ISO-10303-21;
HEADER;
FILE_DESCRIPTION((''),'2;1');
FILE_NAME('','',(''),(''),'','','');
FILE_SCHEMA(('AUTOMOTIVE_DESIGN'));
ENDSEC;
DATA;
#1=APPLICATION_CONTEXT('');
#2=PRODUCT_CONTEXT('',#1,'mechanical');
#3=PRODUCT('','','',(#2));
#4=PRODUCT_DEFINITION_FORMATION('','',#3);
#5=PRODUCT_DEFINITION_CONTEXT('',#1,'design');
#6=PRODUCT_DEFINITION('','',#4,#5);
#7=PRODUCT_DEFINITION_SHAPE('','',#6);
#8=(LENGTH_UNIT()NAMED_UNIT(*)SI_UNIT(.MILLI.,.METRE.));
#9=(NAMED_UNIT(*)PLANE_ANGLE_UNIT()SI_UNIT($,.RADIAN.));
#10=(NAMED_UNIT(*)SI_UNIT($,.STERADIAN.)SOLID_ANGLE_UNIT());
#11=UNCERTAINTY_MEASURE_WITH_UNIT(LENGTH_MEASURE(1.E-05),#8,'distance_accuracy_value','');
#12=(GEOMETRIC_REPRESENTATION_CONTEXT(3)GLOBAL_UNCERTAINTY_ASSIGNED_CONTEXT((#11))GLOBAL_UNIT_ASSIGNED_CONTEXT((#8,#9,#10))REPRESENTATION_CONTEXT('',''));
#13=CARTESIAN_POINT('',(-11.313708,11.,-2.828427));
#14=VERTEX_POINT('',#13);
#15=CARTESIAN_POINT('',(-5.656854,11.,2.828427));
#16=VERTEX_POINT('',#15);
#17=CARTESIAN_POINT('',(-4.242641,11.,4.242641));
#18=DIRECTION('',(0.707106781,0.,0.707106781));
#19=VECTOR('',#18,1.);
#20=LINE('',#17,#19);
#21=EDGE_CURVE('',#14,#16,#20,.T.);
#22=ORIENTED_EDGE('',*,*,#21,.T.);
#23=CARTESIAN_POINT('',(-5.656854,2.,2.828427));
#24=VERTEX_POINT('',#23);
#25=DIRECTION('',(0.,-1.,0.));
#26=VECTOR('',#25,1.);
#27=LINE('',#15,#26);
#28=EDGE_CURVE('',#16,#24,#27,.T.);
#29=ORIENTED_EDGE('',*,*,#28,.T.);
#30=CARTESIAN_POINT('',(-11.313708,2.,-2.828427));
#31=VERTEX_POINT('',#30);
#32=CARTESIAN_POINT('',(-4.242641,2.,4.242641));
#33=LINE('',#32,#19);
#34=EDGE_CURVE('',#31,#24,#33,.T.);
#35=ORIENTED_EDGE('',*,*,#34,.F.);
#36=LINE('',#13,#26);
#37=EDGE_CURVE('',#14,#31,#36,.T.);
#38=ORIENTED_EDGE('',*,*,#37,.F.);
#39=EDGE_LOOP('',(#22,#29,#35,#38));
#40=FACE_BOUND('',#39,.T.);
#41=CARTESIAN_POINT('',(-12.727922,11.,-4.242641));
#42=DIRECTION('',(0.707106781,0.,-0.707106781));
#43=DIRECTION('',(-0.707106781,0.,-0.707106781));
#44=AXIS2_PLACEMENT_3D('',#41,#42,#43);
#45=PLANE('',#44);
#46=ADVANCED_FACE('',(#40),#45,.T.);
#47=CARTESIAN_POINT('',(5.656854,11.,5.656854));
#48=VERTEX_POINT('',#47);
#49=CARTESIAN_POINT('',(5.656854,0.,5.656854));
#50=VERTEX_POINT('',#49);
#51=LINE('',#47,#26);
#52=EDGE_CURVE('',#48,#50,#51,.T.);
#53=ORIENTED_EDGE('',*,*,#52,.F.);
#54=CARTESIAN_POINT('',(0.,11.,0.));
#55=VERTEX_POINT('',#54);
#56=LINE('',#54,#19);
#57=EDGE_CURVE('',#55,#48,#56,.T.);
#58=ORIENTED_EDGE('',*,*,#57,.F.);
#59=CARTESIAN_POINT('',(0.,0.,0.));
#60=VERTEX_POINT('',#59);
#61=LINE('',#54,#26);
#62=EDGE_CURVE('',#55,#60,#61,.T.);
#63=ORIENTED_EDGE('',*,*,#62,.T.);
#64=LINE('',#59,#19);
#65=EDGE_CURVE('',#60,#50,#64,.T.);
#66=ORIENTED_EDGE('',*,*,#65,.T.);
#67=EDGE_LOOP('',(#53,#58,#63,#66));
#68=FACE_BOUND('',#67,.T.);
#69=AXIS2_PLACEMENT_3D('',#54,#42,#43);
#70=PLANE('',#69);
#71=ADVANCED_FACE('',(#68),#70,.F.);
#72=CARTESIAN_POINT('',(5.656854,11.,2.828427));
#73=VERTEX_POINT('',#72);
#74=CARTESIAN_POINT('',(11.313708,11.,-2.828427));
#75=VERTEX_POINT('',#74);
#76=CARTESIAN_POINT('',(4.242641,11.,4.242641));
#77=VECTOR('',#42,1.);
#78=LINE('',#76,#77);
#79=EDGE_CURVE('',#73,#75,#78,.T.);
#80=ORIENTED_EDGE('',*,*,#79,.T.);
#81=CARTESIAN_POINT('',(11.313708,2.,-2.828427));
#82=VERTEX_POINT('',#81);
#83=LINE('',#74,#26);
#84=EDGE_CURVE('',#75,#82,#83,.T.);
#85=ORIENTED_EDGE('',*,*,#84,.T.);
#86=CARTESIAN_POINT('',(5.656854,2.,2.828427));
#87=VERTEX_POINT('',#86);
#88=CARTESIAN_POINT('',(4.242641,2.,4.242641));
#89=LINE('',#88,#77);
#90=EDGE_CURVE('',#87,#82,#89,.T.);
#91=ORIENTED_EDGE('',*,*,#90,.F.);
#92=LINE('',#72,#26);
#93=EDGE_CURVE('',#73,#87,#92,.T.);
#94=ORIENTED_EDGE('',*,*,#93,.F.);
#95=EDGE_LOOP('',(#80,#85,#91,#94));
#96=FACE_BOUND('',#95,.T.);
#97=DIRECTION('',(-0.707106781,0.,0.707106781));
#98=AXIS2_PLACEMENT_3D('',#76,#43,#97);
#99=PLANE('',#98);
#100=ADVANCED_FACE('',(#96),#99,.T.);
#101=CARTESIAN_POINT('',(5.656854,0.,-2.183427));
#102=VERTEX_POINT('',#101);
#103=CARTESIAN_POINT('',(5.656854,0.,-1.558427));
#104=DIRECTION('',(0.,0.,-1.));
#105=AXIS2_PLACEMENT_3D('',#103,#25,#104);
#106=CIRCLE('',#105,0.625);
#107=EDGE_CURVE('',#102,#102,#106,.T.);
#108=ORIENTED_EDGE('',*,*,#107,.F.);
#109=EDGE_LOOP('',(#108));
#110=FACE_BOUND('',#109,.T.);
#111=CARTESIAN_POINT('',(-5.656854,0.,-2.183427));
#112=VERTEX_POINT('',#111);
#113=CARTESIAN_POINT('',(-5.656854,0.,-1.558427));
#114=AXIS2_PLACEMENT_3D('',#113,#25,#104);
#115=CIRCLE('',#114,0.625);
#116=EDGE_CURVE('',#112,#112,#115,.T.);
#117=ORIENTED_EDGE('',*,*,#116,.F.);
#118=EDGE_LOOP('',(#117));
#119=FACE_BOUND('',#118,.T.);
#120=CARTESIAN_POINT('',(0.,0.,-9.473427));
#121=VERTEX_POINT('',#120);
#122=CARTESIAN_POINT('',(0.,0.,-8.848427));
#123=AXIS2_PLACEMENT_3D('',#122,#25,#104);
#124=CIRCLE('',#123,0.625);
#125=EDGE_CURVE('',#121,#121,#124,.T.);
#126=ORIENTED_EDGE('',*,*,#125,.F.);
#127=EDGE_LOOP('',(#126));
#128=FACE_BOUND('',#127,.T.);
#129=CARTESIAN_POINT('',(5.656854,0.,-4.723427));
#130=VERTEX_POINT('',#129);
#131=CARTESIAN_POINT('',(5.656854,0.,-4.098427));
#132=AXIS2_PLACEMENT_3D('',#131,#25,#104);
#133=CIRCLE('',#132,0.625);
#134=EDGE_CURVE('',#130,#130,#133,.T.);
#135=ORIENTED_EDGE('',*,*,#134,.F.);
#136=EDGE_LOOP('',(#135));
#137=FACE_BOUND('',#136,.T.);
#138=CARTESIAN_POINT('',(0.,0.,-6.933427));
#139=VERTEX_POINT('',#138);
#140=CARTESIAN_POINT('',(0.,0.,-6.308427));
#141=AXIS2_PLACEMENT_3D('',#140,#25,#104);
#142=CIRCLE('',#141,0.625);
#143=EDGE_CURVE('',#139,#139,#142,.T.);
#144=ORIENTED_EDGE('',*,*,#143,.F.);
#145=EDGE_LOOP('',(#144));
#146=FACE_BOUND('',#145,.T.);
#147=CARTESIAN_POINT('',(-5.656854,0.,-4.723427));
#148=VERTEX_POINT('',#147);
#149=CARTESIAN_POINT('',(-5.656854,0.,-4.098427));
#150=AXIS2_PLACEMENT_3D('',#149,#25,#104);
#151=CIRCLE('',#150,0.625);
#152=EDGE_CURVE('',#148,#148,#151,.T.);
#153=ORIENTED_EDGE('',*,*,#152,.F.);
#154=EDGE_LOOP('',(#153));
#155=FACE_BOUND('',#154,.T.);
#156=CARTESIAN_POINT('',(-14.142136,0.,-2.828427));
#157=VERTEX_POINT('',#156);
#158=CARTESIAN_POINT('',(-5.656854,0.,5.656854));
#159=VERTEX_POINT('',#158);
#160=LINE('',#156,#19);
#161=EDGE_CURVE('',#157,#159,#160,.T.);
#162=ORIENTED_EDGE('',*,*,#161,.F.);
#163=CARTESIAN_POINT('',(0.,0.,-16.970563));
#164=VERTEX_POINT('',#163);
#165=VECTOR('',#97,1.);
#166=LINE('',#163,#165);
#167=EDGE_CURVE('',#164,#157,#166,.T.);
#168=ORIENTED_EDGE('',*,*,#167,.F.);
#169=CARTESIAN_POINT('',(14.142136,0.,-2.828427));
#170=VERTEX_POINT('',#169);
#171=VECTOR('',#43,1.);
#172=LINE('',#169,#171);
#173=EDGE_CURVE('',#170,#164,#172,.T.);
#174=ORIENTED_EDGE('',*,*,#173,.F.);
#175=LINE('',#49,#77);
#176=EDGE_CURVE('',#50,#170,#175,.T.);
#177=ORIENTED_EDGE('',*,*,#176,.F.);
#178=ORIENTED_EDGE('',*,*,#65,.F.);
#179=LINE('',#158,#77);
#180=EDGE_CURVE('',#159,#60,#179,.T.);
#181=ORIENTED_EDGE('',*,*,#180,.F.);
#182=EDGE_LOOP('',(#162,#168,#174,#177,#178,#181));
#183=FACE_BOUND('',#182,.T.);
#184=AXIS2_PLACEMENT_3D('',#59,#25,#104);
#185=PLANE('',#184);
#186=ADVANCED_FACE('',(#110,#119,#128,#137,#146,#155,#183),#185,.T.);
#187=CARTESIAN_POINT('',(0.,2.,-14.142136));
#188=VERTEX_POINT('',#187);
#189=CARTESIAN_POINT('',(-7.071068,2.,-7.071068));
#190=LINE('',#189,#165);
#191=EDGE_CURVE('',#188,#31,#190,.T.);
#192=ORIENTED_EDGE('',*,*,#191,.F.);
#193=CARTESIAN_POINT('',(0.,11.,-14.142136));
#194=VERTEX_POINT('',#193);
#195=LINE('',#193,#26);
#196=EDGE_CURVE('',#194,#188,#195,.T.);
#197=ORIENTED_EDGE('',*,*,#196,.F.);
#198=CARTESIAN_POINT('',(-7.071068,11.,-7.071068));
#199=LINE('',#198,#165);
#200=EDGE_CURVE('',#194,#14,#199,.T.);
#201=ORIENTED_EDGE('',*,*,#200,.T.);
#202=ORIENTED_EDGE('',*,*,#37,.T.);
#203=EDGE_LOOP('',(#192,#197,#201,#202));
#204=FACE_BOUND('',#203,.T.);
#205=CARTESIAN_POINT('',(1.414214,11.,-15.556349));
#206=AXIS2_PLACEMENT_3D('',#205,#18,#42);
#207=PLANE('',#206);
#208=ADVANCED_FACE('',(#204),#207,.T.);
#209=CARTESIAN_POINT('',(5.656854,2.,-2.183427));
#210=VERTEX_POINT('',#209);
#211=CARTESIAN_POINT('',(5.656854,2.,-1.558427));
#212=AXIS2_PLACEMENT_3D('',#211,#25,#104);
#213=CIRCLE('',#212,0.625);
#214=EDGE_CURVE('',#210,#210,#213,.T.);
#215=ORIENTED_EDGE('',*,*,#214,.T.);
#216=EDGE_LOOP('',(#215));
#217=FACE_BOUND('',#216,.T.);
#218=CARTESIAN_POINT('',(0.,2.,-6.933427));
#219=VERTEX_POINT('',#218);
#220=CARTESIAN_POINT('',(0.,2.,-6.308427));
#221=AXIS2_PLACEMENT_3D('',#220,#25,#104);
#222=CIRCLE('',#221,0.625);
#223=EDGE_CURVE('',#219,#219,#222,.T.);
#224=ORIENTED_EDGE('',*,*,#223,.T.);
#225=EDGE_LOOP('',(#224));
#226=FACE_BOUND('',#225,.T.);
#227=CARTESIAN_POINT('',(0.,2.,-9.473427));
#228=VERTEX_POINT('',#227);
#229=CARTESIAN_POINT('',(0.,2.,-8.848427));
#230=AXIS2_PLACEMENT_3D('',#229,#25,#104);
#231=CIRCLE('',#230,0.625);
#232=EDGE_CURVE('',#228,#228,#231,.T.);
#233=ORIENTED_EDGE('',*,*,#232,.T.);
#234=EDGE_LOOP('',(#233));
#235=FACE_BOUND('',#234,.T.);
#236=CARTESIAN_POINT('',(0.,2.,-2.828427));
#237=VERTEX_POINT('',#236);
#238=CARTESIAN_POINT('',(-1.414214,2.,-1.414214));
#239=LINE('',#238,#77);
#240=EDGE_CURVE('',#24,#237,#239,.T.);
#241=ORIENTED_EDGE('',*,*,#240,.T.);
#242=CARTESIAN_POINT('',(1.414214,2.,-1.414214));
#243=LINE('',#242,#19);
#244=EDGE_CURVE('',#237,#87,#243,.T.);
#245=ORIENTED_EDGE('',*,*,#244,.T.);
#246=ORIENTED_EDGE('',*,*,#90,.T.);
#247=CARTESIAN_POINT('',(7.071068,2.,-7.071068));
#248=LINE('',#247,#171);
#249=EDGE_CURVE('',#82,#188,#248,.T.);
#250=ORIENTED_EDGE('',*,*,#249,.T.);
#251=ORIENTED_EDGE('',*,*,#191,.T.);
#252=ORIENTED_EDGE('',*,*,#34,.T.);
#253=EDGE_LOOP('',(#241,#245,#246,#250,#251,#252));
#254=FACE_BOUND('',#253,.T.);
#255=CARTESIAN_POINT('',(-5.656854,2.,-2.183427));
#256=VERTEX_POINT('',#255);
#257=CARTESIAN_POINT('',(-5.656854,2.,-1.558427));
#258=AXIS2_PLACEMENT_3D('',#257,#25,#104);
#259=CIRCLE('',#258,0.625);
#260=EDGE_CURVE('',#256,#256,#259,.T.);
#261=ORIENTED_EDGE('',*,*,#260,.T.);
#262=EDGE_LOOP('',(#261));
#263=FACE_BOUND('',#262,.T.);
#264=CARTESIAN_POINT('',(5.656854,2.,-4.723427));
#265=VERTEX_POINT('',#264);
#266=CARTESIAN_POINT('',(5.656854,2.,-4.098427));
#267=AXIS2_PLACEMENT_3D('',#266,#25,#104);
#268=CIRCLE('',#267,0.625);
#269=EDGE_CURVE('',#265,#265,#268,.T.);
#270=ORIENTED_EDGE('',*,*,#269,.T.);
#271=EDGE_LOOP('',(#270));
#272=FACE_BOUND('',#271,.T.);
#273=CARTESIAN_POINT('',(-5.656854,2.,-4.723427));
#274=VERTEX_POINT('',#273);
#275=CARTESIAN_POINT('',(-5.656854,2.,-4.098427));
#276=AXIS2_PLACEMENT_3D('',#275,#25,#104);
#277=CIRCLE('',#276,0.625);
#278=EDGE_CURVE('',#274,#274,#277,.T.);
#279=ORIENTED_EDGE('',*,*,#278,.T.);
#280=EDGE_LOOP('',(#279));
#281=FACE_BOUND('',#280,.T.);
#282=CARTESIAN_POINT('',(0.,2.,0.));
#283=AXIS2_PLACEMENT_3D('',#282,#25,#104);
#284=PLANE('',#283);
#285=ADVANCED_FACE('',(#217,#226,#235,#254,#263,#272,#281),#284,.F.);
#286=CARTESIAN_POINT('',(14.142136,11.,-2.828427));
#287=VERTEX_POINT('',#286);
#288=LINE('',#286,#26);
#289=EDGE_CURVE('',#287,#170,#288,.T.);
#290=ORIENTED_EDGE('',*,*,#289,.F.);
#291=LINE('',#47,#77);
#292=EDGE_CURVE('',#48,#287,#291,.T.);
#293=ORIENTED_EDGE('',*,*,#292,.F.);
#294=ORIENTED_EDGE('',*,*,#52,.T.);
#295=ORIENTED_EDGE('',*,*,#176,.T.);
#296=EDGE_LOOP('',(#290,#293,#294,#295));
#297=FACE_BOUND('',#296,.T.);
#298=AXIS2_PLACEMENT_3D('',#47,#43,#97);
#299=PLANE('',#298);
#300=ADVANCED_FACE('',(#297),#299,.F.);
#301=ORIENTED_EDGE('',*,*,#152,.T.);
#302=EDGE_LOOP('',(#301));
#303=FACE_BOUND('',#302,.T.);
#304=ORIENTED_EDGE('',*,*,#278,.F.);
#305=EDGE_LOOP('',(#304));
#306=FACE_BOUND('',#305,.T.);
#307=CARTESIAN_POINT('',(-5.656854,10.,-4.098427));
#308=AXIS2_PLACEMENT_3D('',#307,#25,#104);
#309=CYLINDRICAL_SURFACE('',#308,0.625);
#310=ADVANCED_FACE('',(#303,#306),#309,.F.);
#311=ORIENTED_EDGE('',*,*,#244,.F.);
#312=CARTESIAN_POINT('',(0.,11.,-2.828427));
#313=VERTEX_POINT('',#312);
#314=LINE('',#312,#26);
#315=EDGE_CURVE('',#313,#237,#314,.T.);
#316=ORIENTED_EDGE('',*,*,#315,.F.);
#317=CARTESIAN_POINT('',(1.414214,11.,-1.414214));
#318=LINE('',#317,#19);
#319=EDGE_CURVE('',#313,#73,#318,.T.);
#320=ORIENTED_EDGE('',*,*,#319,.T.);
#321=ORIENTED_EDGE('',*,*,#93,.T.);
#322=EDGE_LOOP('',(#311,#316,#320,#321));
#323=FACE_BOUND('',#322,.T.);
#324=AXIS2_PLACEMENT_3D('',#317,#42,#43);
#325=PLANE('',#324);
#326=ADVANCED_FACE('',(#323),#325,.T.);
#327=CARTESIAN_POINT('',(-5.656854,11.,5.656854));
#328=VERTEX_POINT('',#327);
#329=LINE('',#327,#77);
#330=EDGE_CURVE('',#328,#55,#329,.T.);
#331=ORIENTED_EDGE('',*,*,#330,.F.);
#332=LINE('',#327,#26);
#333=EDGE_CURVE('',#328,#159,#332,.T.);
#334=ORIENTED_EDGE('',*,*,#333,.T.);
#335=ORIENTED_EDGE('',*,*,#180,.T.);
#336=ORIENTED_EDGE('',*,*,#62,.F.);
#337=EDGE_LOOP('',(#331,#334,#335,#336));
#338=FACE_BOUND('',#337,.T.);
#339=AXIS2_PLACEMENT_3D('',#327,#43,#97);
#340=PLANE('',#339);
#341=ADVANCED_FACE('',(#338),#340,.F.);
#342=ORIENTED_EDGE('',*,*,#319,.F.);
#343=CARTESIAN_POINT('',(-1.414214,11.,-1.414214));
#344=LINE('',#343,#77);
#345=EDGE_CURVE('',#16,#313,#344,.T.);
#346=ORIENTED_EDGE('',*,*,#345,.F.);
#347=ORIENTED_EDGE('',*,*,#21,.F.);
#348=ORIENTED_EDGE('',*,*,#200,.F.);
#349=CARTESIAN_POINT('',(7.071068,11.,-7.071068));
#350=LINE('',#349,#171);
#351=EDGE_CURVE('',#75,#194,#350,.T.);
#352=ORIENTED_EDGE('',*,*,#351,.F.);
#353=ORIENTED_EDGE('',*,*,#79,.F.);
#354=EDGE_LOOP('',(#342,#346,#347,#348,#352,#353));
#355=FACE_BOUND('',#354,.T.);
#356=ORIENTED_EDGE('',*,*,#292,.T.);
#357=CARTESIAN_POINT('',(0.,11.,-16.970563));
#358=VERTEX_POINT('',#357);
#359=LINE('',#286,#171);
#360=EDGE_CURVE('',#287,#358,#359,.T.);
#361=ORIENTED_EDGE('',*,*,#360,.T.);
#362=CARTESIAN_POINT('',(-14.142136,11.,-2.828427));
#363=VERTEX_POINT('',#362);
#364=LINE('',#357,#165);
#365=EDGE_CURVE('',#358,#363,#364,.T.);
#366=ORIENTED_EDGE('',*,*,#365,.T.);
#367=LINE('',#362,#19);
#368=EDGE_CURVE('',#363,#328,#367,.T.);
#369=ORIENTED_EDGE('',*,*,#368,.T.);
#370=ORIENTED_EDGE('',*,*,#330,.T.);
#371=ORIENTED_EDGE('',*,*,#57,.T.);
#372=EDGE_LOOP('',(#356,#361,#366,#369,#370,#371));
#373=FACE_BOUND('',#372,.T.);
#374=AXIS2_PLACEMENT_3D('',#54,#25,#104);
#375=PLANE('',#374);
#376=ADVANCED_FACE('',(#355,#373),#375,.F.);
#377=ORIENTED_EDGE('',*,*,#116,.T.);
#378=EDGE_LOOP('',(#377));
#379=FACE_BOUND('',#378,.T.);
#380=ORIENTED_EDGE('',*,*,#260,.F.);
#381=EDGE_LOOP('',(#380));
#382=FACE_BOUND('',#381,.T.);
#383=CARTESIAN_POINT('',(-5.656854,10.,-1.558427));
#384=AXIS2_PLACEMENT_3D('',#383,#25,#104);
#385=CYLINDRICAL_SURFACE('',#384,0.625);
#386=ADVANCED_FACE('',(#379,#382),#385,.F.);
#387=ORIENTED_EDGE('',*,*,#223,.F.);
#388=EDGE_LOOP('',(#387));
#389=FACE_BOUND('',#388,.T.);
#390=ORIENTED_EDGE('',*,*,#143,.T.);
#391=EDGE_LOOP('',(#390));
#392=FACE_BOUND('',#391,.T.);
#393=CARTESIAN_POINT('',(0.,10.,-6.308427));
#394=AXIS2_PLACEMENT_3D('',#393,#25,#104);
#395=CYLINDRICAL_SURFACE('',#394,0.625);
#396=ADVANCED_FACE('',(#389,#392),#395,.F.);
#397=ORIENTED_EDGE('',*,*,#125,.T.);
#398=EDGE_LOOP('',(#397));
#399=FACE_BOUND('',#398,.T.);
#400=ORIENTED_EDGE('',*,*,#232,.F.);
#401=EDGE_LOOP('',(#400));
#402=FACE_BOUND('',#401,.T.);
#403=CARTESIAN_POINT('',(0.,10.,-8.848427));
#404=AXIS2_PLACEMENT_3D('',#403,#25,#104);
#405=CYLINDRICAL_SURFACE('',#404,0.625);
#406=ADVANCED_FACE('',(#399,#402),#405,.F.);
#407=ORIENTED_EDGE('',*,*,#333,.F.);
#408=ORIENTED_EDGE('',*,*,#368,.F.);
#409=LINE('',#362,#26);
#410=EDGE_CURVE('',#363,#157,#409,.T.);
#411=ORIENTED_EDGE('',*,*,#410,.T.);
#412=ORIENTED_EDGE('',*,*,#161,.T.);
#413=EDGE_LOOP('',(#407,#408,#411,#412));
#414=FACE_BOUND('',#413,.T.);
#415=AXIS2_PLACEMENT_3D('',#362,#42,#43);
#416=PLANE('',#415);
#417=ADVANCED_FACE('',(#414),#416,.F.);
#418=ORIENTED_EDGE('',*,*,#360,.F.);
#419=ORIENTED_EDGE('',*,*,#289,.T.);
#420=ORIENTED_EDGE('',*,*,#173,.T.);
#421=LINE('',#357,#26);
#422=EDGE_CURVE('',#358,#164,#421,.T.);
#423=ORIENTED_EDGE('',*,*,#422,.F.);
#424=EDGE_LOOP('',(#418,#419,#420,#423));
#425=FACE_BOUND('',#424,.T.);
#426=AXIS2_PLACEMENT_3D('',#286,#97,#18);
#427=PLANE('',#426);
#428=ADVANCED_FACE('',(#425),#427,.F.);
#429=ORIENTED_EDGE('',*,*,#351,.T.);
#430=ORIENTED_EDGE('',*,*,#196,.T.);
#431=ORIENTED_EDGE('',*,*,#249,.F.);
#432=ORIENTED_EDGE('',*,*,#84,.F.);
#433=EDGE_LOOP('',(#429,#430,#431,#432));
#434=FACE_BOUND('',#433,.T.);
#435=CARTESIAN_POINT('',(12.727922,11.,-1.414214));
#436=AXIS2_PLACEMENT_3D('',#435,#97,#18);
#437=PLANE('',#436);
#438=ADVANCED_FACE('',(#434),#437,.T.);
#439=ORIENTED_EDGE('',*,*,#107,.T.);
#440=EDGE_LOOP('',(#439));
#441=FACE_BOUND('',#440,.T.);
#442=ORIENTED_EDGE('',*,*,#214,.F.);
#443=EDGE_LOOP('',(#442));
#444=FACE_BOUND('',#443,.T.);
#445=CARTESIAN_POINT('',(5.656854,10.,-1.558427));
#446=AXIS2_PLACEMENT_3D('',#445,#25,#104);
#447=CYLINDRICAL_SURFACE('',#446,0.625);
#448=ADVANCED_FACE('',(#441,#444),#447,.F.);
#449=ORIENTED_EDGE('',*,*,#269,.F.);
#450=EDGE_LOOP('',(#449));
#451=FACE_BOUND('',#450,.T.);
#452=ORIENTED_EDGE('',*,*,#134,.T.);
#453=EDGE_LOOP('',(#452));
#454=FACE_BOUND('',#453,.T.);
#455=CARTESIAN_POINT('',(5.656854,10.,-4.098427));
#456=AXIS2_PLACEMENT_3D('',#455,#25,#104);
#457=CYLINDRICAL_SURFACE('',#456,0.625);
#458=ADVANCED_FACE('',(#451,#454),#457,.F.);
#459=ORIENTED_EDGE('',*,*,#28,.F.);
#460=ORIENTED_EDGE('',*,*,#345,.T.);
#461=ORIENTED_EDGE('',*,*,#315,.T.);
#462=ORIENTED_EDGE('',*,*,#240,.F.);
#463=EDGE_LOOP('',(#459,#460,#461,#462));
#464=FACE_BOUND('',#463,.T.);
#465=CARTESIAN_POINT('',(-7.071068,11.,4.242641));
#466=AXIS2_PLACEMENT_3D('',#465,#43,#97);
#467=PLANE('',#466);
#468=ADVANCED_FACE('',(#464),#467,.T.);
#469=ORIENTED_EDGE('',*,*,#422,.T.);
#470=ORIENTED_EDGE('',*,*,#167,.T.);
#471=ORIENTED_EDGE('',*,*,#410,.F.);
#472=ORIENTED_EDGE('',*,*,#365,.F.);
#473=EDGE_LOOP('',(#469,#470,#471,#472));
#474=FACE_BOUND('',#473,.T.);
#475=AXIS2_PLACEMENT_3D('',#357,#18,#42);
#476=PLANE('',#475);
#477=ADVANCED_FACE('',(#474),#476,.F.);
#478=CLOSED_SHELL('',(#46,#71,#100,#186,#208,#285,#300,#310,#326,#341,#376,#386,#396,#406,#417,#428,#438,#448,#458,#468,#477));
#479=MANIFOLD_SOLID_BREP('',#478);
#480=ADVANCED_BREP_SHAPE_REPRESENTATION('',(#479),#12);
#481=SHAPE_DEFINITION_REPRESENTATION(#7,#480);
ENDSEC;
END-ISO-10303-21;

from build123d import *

# Parameters (mm, degrees)
BOSS_EXTRUDE1_DEPTH = 11
SHELL1_T            = -2
SKETCH3_R           = 0.625
CUT_EXTRUDE1_DEPTH  = 10


with BuildPart() as part:
    # Sketch1 → Boss-Extrude1 (new body)
    with BuildSketch(Plane(origin=(0, 0, 0), x_dir=(1, 0, 0), z_dir=(0, 1, 0))):
        Polygon((0, 0), (5.656854249, -5.656854249), (14.142135624, 2.828427125), (0, 16.970562748), (-14.142135624, 2.828427125), (-5.656854249, -5.656854249), align=None)
    extrude(amount=BOSS_EXTRUDE1_DEPTH)

    # Shell1
    shell1_openings = [part.faces().sort_by_distance(p)[0] for p in [
        (0, 11, -1.885618083),
    ]]
    offset(amount=SHELL1_T, openings=shell1_openings, kind=Kind.INTERSECTION)

    # Sketch3 → Cut-Extrude1 (cut)
    with BuildSketch(Plane.XZ):
        with Locations((-5.656854249, -1.558427125)):
            Circle(SKETCH3_R)
        with Locations((-5.656854249, -4.098427125)):
            Circle(SKETCH3_R)
        with Locations((0, -6.308427125)):
            Circle(SKETCH3_R)
        with Locations((0, -8.848427125)):
            Circle(SKETCH3_R)
        with Locations((5.656854249, -1.558427125)):
            Circle(SKETCH3_R)
        with Locations((5.656854249, -4.098427125)):
            Circle(SKETCH3_R)
    extrude(amount=-CUT_EXTRUDE1_DEPTH, mode=Mode.SUBTRACT)


solid = part.part
